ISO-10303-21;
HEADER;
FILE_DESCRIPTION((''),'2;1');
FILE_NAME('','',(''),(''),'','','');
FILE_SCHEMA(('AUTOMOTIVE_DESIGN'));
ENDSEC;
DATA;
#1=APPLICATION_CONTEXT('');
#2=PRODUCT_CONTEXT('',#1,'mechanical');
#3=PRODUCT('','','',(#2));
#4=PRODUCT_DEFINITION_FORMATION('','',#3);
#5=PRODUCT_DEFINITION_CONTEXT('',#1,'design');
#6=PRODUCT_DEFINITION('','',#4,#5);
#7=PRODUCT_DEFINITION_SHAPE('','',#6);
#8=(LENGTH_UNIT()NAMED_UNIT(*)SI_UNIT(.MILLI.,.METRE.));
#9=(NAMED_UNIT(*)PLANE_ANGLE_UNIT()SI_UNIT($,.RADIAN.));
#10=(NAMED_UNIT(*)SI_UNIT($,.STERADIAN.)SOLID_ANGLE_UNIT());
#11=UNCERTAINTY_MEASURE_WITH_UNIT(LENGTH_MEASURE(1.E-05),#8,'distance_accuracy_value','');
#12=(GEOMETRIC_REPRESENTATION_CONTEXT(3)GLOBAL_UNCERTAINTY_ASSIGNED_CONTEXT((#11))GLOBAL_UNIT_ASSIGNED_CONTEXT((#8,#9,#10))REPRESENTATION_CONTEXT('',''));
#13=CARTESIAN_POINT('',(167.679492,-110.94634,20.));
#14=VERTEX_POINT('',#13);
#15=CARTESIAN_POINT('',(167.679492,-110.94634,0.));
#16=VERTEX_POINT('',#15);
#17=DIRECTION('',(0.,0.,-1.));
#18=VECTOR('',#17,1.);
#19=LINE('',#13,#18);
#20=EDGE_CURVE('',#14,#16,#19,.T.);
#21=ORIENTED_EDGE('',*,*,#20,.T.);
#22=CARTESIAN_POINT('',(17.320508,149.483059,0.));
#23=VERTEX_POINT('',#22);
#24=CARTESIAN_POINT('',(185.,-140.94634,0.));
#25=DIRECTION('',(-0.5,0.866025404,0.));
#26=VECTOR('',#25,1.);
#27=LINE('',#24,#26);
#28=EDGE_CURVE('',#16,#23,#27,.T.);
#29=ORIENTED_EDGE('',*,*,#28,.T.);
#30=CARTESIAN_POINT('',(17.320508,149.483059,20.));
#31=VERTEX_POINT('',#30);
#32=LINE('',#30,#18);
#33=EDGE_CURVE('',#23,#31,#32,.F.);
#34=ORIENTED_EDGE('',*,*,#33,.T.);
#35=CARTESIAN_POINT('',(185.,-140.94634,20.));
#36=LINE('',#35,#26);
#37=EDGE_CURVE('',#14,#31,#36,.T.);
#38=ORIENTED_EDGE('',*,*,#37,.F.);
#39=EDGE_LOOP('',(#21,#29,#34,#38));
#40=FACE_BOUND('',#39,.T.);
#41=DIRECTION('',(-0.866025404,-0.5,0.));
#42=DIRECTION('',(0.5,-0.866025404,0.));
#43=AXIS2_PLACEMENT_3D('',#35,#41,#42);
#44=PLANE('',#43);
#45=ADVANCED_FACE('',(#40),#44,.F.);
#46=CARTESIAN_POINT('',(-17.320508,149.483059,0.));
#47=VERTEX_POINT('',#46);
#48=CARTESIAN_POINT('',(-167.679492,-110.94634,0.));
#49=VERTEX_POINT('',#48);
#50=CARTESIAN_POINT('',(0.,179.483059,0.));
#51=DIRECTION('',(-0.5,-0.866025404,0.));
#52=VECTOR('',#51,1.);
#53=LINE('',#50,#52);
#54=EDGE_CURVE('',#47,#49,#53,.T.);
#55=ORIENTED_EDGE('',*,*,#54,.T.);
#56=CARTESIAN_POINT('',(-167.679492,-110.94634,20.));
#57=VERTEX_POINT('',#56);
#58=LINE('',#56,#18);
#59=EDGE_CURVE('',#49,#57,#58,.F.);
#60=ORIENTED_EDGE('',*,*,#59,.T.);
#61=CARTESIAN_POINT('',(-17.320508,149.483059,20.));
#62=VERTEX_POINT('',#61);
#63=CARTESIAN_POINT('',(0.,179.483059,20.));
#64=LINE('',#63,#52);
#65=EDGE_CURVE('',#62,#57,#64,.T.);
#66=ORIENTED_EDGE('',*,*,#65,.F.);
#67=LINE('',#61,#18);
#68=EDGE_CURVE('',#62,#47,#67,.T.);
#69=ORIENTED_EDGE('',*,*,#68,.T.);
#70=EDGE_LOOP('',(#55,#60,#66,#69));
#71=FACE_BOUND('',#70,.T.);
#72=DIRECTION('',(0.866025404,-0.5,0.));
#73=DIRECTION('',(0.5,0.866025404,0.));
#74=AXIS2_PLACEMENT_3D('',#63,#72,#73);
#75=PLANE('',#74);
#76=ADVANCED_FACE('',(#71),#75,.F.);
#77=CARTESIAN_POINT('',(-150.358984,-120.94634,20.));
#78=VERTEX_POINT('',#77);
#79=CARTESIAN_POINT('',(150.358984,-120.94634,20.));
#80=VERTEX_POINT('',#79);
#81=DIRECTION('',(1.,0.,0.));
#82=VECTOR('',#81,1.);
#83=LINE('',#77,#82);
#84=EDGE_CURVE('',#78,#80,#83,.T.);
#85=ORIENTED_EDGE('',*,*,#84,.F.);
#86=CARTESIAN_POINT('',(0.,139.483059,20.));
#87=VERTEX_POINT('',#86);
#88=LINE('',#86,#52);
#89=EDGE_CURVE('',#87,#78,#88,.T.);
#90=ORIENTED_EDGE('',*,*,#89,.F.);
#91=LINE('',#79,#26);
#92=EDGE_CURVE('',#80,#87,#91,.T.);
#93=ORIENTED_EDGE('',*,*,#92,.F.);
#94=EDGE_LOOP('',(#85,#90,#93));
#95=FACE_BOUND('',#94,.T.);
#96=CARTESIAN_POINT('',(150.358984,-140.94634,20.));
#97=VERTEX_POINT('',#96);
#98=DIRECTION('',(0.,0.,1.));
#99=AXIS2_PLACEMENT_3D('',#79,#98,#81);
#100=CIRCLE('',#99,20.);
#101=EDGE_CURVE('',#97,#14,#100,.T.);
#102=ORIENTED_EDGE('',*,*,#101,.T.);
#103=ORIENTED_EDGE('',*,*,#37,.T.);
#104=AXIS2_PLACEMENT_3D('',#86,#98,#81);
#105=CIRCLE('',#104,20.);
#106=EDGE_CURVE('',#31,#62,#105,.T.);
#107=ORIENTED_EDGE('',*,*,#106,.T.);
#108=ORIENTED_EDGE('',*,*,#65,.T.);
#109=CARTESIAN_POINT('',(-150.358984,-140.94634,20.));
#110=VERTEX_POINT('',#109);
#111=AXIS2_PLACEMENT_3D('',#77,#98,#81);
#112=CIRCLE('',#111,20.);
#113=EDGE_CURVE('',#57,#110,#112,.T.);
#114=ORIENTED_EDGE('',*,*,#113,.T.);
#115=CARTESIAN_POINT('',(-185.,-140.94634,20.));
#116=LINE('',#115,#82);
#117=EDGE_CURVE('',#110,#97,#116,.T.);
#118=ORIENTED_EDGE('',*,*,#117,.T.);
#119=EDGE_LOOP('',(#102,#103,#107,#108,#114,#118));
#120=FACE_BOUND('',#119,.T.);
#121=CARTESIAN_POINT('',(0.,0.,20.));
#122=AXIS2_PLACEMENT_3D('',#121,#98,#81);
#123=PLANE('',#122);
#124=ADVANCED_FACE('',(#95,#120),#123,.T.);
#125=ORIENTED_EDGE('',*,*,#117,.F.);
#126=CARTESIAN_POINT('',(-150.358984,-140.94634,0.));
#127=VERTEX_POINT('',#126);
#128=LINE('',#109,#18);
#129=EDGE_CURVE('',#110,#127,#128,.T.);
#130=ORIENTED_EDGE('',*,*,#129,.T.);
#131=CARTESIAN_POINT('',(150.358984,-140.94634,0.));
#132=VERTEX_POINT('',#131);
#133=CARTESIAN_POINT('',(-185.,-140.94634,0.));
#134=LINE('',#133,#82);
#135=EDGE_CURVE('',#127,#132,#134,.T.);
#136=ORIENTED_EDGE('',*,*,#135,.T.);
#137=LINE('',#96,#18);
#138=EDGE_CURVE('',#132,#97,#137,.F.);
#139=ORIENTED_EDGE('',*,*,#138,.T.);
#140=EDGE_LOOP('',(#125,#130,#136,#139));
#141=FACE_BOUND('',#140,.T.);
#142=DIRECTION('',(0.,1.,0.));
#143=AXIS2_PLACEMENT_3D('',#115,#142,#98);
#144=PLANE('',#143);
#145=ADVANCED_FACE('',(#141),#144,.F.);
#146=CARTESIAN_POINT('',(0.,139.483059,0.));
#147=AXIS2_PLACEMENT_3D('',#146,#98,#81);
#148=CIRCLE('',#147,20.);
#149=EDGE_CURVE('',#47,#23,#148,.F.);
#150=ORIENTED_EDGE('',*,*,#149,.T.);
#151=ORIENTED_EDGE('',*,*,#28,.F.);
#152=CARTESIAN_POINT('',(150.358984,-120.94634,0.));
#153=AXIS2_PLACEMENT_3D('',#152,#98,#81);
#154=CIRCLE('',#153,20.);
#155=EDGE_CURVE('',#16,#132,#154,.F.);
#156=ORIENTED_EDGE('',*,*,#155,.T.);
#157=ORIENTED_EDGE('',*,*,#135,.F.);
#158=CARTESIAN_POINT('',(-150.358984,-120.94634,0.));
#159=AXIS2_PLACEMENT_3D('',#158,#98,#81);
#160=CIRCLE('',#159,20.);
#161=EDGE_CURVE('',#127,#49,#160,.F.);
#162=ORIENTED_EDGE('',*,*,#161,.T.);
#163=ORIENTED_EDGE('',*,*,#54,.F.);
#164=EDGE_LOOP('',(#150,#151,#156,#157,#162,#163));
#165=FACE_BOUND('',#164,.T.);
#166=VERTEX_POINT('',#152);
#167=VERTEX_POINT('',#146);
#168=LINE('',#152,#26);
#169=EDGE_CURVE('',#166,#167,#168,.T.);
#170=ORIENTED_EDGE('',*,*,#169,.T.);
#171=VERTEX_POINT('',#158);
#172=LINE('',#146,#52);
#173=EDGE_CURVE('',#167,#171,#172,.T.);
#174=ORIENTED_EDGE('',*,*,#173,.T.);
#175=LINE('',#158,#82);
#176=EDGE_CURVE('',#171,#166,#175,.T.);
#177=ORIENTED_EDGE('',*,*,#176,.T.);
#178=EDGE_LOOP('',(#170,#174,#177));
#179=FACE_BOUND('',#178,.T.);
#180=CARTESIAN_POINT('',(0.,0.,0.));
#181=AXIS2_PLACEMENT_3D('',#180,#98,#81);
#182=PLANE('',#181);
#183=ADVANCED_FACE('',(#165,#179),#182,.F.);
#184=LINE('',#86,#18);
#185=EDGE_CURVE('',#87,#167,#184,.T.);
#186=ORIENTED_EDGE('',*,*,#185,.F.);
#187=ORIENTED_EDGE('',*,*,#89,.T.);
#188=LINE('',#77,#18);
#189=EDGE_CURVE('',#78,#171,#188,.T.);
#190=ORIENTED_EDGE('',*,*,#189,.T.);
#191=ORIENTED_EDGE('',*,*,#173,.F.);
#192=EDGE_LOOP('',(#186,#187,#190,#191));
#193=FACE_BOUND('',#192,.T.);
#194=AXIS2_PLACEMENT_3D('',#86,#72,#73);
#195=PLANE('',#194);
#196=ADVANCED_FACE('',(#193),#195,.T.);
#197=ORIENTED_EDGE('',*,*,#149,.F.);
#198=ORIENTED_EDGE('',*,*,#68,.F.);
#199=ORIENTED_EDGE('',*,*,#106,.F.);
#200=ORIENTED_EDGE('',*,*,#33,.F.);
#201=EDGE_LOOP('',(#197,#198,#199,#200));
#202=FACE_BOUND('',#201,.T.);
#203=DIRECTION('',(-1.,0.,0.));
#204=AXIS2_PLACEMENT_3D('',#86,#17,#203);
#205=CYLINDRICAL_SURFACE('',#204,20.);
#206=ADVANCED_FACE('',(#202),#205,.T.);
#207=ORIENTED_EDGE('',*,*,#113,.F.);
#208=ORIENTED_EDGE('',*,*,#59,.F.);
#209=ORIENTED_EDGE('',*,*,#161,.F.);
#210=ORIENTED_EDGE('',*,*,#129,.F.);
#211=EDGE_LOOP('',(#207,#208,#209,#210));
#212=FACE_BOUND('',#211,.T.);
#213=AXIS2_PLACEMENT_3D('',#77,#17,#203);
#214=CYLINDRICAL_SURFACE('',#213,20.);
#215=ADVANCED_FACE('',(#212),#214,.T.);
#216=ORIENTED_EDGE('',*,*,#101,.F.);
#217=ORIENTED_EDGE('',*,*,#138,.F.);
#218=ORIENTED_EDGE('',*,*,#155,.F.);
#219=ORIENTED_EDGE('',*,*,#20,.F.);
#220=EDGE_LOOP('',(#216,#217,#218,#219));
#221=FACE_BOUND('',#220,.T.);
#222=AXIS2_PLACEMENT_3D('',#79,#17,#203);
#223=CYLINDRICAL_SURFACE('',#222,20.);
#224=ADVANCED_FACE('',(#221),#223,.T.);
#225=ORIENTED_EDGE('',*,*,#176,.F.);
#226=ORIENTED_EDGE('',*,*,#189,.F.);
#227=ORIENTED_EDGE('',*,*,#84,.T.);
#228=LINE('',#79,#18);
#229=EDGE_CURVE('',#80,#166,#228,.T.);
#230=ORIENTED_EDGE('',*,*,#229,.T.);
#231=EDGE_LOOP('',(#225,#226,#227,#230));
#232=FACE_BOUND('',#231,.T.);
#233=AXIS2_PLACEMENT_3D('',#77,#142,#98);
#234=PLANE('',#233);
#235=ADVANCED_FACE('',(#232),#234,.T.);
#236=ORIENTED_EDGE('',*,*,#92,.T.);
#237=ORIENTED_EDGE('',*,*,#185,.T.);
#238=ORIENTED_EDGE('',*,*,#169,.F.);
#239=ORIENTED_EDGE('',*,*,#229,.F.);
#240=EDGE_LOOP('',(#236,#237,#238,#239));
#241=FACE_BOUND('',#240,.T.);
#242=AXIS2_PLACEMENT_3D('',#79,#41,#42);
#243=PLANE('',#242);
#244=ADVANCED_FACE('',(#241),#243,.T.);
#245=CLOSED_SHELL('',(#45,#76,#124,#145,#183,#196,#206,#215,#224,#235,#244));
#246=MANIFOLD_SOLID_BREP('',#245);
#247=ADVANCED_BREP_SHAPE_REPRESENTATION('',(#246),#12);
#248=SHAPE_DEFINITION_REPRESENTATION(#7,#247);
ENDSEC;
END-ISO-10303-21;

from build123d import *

# Parameters (mm, degrees)
EXTRUDE_1_DEPTH = 20
FILLET_1_R      = 20


with BuildPart() as part:
    # 草圖1 → 填料-伸長1 (new body)
    with BuildSketch(Plane.XY):
        Polygon((0, 179.483059357), (-185, -140.946340043), (185, -140.946340043), align=None)
        Polygon((0, 139.483059357), (-150.358983849, -120.946340043), (150.358983849, -120.946340043), align=None, mode=Mode.SUBTRACT)
    extrude(amount=EXTRUDE_1_DEPTH)

    # 圓角1
    fillet_1_edges = [part.edges().sort_by_distance(p)[0] for p in [
        (185, -140.946340043, 10),
        (-185, -140.946340043, 10),
        (0, 179.483059357, 10),
    ]]
    fillet(fillet_1_edges, radius=FILLET_1_R)


solid = part.part
